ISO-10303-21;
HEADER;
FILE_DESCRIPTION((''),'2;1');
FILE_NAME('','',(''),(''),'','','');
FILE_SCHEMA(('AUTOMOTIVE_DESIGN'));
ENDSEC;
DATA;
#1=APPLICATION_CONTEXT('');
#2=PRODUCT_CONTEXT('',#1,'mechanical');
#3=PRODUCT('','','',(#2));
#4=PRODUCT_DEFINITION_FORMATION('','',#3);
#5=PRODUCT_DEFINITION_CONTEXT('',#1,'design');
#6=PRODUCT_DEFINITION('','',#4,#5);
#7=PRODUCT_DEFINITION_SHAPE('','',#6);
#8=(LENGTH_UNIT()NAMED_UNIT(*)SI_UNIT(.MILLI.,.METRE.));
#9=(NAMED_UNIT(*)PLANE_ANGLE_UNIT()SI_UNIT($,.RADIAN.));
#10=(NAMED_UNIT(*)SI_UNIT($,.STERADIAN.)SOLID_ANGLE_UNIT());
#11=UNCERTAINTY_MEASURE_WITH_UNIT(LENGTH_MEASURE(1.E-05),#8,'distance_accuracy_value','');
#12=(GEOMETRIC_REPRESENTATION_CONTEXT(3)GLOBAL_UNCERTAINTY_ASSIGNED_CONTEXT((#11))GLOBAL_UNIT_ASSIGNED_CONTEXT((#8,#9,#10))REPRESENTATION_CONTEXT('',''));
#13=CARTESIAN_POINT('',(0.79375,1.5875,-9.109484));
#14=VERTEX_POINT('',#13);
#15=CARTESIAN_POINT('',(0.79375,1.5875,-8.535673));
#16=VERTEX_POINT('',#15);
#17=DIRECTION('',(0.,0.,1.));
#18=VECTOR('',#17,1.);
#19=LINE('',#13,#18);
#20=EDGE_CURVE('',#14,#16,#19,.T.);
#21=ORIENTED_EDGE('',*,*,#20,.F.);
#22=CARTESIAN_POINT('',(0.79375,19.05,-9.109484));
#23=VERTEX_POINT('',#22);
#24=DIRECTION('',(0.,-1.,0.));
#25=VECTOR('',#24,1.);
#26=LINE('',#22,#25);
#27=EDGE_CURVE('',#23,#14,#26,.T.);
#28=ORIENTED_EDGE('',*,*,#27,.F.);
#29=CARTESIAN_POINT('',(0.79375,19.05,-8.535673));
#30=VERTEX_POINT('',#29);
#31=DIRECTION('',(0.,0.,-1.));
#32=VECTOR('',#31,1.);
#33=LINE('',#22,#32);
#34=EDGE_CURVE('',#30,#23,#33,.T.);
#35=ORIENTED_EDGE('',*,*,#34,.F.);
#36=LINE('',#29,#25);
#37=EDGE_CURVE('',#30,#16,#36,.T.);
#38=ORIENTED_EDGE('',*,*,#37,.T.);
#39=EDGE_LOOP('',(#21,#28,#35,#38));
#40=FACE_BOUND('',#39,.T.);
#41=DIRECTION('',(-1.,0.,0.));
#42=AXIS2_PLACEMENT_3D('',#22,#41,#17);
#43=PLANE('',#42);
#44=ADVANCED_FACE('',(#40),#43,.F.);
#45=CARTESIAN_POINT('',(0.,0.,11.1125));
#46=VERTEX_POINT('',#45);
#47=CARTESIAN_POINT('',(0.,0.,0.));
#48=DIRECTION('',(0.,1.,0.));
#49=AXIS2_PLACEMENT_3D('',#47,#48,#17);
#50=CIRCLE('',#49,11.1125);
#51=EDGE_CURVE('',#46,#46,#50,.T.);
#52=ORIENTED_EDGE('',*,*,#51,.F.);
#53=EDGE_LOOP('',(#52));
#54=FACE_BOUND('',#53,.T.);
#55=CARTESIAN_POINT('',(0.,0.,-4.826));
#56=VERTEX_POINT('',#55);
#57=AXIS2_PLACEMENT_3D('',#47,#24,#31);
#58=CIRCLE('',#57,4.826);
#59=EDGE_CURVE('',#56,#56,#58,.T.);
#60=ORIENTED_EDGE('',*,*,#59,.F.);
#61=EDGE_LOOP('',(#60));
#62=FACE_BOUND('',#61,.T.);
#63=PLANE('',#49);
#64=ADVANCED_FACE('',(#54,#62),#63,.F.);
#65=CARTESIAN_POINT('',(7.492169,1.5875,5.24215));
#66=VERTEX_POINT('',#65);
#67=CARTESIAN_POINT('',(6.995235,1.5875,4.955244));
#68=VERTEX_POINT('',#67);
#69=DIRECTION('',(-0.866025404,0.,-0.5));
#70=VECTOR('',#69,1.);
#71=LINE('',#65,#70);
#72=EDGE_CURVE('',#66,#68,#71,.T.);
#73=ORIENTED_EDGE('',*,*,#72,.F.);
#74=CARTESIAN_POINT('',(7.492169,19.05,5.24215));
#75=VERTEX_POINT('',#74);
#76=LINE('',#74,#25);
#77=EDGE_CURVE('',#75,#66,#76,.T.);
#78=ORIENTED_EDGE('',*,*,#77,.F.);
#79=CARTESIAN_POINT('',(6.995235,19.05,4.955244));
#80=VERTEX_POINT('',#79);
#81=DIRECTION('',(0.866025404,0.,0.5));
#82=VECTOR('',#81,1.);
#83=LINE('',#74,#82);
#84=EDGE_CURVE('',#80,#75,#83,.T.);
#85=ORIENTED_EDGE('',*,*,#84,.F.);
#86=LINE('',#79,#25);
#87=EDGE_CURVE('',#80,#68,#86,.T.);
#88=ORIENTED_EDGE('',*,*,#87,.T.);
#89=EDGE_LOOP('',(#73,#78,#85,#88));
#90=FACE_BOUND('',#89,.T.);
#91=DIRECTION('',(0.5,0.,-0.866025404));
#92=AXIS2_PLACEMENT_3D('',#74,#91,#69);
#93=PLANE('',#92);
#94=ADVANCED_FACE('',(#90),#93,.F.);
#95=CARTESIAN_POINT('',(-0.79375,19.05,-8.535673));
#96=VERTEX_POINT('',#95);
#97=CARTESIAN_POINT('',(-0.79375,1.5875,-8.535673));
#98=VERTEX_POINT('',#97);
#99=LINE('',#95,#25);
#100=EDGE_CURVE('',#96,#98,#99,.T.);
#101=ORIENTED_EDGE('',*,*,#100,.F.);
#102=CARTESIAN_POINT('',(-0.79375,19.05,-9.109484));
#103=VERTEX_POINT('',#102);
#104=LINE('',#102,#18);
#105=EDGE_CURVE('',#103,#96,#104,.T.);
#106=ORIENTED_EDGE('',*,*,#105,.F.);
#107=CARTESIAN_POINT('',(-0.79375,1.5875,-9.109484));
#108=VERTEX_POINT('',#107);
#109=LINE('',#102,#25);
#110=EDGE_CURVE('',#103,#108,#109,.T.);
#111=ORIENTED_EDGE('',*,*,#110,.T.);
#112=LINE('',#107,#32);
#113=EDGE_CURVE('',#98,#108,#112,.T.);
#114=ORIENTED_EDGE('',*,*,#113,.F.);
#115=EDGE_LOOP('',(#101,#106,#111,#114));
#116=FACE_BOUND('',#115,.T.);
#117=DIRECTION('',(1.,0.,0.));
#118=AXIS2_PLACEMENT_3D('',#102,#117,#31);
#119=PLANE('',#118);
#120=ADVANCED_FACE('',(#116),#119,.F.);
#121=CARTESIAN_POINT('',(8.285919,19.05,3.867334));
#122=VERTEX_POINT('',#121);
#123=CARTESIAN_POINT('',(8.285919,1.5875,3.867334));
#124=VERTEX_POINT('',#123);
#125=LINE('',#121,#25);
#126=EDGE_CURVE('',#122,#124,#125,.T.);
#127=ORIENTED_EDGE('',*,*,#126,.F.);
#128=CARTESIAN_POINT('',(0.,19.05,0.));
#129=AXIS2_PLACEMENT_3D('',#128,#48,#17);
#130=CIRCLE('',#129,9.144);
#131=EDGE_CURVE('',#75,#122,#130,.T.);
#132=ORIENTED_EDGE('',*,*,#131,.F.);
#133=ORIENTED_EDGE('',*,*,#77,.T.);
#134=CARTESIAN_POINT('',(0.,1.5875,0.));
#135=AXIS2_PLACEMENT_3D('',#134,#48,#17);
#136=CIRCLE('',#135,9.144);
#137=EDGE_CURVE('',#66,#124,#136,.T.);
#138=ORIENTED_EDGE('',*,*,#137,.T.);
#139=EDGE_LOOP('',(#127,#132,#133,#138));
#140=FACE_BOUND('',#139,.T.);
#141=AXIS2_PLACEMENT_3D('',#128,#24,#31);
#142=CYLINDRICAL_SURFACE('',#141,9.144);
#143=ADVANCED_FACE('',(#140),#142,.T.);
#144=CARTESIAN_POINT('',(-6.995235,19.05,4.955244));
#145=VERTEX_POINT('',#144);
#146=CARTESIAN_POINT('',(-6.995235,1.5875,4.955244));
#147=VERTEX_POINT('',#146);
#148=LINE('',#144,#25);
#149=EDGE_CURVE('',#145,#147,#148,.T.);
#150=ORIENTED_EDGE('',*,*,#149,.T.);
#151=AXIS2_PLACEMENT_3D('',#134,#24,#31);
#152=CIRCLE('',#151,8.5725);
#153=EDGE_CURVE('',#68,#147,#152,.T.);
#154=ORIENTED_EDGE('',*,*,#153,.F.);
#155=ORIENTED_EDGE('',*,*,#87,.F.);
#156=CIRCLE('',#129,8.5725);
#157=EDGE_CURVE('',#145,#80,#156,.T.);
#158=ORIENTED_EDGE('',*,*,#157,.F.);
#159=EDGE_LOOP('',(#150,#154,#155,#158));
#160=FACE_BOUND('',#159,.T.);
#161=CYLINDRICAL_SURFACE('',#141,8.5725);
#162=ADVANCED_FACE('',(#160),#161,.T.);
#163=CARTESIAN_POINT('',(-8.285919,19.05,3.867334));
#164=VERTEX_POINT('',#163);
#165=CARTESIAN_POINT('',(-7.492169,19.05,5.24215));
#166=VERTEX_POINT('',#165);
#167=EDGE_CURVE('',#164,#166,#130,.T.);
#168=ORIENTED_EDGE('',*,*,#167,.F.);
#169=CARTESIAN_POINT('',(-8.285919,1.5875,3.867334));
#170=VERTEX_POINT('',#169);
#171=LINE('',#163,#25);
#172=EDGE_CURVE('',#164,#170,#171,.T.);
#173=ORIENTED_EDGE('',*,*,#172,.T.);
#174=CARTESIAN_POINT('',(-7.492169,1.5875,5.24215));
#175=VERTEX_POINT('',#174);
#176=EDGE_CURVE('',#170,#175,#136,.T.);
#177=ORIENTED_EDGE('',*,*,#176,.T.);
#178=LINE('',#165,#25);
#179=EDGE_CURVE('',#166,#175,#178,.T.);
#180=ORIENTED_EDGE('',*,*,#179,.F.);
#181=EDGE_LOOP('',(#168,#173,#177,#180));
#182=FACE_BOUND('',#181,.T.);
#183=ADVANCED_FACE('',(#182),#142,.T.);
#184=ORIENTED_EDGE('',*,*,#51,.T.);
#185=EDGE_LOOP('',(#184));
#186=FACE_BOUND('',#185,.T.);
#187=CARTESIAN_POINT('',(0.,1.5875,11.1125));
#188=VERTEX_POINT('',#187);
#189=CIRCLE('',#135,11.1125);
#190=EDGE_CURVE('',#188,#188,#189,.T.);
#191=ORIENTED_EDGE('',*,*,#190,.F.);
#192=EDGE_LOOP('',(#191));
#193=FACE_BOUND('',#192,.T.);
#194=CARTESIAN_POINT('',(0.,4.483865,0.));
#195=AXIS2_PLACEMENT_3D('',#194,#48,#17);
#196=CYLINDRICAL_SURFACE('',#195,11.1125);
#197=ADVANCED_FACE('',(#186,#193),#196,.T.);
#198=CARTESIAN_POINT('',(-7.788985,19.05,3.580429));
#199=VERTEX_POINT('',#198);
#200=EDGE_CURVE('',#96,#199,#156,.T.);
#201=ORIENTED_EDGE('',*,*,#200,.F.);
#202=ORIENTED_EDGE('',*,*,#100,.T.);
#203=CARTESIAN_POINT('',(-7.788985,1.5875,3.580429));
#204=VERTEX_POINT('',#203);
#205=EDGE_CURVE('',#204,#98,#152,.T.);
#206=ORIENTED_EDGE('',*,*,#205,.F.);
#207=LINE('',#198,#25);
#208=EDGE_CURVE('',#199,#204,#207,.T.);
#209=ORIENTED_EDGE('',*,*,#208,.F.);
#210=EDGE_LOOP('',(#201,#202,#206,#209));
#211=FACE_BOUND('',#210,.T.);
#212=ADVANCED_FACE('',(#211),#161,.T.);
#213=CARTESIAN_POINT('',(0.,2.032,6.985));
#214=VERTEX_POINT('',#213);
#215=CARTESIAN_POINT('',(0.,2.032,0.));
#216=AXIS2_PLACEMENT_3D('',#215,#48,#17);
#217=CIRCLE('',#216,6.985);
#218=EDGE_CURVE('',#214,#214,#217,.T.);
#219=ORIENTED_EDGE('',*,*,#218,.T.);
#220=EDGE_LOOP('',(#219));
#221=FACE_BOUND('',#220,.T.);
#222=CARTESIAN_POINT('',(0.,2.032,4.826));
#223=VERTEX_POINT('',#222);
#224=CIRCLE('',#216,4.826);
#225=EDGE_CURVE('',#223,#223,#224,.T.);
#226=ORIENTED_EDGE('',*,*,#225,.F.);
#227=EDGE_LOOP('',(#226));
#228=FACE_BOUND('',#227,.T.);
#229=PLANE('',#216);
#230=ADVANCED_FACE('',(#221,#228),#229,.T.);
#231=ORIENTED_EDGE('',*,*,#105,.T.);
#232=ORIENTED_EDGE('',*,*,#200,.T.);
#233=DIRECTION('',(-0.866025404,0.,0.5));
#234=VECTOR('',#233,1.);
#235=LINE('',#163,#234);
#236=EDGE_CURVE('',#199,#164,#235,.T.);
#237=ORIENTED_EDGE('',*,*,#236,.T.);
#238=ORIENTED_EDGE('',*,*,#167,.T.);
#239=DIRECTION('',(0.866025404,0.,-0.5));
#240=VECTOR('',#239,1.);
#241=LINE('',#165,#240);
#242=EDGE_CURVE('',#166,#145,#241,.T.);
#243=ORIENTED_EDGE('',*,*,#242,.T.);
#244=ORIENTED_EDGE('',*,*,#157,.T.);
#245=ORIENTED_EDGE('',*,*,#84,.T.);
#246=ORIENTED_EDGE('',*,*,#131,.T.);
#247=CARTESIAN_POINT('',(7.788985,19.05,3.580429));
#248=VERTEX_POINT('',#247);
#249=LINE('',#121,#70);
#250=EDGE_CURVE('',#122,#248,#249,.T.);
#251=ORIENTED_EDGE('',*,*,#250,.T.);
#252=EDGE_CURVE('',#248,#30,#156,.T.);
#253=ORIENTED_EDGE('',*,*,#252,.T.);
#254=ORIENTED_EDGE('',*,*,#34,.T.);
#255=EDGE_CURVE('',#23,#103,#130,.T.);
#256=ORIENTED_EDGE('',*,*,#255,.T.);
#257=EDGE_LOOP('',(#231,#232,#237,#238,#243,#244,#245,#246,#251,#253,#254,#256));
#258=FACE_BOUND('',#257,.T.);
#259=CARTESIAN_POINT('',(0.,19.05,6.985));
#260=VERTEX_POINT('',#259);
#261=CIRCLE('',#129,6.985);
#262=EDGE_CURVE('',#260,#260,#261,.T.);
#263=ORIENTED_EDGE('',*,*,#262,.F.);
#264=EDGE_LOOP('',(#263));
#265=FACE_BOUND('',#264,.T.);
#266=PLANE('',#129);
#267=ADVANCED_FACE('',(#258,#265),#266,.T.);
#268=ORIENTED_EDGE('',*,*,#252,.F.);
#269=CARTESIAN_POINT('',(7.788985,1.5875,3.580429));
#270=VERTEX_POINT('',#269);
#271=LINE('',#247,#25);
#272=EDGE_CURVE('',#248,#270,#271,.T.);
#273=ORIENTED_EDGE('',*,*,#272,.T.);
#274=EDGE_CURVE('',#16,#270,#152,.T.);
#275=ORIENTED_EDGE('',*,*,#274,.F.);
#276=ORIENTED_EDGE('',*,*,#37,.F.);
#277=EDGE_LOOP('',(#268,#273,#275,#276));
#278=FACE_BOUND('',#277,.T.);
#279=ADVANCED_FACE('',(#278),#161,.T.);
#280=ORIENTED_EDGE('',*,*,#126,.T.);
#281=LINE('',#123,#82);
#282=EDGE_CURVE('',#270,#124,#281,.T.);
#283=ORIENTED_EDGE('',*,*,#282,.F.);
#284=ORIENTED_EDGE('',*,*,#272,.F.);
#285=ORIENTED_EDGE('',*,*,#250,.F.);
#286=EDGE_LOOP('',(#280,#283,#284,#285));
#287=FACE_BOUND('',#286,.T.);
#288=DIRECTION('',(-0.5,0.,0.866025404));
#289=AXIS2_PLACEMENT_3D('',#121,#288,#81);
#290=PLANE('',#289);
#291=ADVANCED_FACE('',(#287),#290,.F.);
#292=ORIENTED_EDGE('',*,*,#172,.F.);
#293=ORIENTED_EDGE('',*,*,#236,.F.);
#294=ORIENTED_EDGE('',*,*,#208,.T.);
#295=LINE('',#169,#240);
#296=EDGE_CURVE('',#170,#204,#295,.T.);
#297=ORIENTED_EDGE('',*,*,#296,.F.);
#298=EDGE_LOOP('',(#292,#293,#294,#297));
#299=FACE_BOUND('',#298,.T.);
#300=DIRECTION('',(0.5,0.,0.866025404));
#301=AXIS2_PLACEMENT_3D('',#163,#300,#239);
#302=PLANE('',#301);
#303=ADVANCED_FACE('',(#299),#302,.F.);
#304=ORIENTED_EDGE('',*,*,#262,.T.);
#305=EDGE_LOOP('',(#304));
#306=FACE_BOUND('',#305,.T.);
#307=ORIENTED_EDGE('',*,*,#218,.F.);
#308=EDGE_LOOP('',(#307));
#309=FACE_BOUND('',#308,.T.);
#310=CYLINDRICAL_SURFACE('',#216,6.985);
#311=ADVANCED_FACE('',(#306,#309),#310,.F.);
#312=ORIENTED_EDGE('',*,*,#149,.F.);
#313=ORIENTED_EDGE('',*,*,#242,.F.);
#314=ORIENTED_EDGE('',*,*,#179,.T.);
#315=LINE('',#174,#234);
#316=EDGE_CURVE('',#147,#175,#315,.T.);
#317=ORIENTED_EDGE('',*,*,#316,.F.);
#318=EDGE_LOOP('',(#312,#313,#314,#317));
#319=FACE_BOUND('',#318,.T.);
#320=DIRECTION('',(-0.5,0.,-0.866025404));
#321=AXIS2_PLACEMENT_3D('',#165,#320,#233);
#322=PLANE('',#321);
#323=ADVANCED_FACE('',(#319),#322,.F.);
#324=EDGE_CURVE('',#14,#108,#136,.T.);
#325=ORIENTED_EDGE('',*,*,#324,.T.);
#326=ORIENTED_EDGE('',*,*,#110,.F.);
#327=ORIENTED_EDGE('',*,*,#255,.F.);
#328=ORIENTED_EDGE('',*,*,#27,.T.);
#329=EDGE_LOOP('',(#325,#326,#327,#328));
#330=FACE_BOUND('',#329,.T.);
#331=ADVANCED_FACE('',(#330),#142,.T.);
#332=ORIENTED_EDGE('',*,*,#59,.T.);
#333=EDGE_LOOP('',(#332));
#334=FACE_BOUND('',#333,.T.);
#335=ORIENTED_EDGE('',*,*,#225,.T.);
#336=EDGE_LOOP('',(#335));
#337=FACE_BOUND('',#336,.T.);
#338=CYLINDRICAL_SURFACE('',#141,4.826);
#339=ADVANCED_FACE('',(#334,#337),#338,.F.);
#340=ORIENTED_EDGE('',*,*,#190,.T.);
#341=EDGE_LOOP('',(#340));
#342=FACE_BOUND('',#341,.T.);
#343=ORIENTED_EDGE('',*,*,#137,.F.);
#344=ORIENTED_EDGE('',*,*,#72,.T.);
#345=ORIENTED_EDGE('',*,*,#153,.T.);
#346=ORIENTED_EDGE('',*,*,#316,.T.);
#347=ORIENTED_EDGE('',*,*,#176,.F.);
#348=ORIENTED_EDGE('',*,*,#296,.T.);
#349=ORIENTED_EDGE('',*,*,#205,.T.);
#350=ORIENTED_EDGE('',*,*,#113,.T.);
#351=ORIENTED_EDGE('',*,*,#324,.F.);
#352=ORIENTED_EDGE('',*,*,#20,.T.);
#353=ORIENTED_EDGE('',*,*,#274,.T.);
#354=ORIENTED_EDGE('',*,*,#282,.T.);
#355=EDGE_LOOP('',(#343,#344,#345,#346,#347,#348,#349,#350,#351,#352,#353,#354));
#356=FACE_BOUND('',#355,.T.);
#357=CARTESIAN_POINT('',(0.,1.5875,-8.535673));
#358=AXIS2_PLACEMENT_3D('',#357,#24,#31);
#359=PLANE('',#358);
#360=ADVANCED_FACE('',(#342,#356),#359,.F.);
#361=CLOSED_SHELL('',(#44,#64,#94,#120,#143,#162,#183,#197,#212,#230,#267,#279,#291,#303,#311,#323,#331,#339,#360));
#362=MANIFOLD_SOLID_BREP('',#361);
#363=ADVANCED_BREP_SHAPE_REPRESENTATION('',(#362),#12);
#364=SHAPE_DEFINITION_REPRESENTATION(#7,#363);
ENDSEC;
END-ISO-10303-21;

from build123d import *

# Parameters (mm, degrees)
BOSS_EXTRUDE1_DEPTH = 19.05
SKETCH6_W           = 0.608326788
SKETCH6_H           = 1.5875
SKETCH8_W           = 2.576826788
SKETCH8_H           = 1.5875
SKETCH12_R          = 6.985
CUT_EXTRUDE7_DEPTH  = 17.018
SKETCH13_R          = 4.826
CUT_EXTRUDE8_DEPTH  = 20.05


with BuildPart() as part:
    # Sketch1 → Boss-Extrude1 (new body)
    with BuildSketch(Plane(origin=(0, 0, 0), x_dir=(1, 0, 0), z_dir=(0, 1, 0))):
        with BuildLine():
            Line((-0.79375, 9.109483901), (-0.79375, 8.535673212))
            ThreePointArc((-0.79375, 8.535673212), (-7.424002774, 4.28625), (-7.78898484, -3.580428942))
            Line((-7.78898484, -3.580428942), (-8.285919473, -3.867334286))
            ThreePointArc((-8.285919473, -3.867334286), (-7.918936292, -4.572), (-7.492169473, -5.242149615))
            Line((-7.492169473, -5.242149615), (-6.99523484, -4.95524427))
            ThreePointArc((-6.99523484, -4.95524427), (0, -8.5725), (6.99523484, -4.95524427))
            Line((6.99523484, -4.95524427), (7.492169473, -5.242149615))
            ThreePointArc((7.492169473, -5.242149615), (7.918936292, -4.572), (8.285919473, -3.867334286))
            Line((8.285919473, -3.867334286), (7.78898484, -3.580428942))
            ThreePointArc((7.78898484, -3.580428942), (7.424002774, 4.28625), (0.79375, 8.535673212))
            Line((0.79375, 8.535673212), (0.79375, 9.109483901))
            ThreePointArc((0.79375, 9.109483901), (0, 9.144), (-0.79375, 9.109483901))
        make_face()
    extrude(amount=BOSS_EXTRUDE1_DEPTH)

    # Sketch6 → Cut-Revolve2 (revolve, cut)
    with BuildSketch(Plane(origin=(0, 0, 0), x_dir=(0, 0, -1), z_dir=(1, 0, 0))):
        with Locations((8.839836606, 0.79375)):
            Rectangle(SKETCH6_W, SKETCH6_H)
    revolve(axis=Axis((0, 19.730213777, 0), (0, -1, 0)), mode=Mode.SUBTRACT)

    # Sketch8 → Revolve2 (revolve)
    with BuildSketch(Plane(origin=(0, 0, 0), x_dir=(0, 0, -1), z_dir=(1, 0, 0))):
        with Locations((9.824086606, 0.79375)):
            Rectangle(SKETCH8_W, SKETCH8_H)
    revolve(axis=Axis((0, 4.48386458, 0), (0, -1, 0)))

    # Sketch12 → Cut-Extrude7 (cut)
    with BuildSketch(Plane(origin=(0, 19.05, 0), x_dir=(1, 0, 0), z_dir=(0, 1, 0))):
        Circle(SKETCH12_R)
    extrude(amount=-CUT_EXTRUDE7_DEPTH, mode=Mode.SUBTRACT)

    # Sketch13 → Cut-Extrude8 (cut, through all)
    with BuildSketch(Plane.XZ):
        Circle(SKETCH13_R)
    extrude(amount=-CUT_EXTRUDE8_DEPTH, mode=Mode.SUBTRACT)


solid = part.part
